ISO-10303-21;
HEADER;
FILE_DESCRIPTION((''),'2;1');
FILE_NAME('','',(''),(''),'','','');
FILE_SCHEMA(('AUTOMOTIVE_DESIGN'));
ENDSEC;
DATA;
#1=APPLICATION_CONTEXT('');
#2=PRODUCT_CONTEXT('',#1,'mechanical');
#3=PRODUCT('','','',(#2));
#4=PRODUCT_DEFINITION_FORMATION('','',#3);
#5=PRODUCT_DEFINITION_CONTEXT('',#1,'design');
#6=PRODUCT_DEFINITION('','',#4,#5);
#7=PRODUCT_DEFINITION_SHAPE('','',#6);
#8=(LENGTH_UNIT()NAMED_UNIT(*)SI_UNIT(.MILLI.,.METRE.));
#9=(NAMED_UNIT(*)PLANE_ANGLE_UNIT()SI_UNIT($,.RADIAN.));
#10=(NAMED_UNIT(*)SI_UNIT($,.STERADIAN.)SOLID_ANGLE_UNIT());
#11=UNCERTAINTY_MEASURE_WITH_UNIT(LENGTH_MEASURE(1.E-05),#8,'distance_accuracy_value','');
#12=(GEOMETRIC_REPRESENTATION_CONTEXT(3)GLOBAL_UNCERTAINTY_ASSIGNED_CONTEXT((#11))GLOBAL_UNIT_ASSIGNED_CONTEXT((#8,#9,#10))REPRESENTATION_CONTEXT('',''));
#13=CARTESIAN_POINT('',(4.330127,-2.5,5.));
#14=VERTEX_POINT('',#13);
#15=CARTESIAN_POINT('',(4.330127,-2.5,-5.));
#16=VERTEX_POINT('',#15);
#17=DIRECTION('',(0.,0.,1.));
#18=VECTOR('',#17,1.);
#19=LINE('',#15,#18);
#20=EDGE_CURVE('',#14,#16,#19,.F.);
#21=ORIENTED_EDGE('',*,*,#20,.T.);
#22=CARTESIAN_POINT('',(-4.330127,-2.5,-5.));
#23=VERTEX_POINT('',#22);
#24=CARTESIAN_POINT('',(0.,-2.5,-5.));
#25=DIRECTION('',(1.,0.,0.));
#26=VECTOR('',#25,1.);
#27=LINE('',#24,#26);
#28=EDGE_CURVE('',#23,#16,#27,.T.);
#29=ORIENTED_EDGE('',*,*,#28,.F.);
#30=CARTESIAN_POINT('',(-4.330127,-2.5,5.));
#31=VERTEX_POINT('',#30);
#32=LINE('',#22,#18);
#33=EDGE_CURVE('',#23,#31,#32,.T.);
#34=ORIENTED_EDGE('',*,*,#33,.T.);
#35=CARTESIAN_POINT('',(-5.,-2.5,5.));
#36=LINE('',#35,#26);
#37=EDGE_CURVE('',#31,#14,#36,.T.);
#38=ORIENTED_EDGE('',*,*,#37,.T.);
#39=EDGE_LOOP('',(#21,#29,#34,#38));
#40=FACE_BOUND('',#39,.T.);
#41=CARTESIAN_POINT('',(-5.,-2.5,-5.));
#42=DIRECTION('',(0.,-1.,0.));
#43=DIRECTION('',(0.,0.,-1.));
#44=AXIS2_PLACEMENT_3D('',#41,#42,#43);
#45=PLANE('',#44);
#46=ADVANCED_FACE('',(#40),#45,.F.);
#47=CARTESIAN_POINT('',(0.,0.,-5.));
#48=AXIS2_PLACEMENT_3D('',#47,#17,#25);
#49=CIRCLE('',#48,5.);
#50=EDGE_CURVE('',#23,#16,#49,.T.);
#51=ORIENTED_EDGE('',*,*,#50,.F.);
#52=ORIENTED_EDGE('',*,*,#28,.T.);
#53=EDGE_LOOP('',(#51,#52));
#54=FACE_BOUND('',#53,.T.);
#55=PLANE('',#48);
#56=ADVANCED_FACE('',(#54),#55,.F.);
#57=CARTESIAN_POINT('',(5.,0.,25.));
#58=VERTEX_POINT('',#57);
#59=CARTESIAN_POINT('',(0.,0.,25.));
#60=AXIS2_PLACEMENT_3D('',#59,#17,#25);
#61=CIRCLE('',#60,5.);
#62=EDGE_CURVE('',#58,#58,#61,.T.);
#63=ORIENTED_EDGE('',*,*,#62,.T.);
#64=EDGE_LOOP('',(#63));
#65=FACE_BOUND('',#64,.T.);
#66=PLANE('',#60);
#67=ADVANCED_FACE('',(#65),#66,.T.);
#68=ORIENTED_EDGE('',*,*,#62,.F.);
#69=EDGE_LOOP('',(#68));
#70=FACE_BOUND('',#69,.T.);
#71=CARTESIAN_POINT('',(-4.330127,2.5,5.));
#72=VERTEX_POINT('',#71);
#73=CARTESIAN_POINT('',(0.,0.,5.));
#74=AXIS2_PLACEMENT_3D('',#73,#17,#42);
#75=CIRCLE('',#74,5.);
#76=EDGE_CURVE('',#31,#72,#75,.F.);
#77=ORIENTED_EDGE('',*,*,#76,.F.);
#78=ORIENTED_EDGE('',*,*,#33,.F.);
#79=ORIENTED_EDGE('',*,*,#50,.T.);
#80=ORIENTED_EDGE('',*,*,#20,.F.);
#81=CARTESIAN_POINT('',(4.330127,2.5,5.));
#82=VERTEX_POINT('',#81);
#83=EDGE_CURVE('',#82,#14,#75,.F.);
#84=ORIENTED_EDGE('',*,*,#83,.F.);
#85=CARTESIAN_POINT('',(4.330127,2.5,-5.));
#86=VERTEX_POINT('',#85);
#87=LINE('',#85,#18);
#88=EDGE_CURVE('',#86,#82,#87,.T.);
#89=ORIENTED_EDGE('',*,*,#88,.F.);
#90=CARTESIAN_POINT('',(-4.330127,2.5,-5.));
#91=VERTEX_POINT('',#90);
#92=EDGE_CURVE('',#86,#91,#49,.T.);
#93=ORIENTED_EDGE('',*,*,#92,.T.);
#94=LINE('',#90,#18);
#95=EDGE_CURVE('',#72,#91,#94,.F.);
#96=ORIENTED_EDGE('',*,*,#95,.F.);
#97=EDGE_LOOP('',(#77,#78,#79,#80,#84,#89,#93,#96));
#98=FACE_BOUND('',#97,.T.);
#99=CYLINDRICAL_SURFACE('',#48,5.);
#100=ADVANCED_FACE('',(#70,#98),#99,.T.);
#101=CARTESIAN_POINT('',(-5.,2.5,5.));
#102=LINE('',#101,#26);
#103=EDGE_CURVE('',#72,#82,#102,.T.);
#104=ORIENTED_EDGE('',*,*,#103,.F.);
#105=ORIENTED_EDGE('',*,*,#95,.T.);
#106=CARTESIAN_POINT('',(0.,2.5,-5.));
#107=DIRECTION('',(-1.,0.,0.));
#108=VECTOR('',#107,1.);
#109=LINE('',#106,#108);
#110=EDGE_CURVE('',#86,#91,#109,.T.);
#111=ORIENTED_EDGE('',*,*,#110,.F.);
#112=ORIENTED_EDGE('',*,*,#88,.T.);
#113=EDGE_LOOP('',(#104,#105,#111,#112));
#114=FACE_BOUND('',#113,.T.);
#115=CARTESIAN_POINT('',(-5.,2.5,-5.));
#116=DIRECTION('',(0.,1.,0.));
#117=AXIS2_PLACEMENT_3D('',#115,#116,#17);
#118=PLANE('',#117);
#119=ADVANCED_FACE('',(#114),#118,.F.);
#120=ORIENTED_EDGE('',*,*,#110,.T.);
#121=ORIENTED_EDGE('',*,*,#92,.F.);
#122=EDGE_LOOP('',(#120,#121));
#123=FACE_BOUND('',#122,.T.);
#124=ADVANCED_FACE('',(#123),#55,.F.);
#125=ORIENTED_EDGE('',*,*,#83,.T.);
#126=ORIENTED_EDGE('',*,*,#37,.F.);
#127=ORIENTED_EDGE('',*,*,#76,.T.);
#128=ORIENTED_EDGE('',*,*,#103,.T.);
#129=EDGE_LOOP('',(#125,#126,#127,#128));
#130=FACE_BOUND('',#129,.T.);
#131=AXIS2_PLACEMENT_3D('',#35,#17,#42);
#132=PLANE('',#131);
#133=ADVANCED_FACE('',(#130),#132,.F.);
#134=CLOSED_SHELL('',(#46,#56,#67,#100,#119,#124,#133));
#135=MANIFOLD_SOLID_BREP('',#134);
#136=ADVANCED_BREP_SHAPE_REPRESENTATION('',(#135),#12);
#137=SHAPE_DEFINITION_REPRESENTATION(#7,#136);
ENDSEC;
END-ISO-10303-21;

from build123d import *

# Parameters (mm, degrees)
SKETCH1_R                = 5
BOSS_EXTRUDE1_DEPTH      = 25
BOSS_EXTRUDE1_DEPTH_BACK = 5
SKETCH3_W                = 10
SKETCH3_H                = 5
CUT_EXTRUDE2_DEPTH       = 6
CUT_EXTRUDE2_DEPTH_BACK  = 6


with BuildPart() as part:
    # Sketch1 → Boss-Extrude1 (new body, two sides)
    with BuildSketch(Plane.XY) as boss_extrude1_sk:
        Circle(SKETCH1_R)
    extrude(amount=BOSS_EXTRUDE1_DEPTH)
    extrude(boss_extrude1_sk.sketch, amount=-BOSS_EXTRUDE1_DEPTH_BACK)

    # Sketch3 → Cut-Extrude2 (cut, two sides)
    with BuildSketch(Plane(origin=(0, 0, 0), x_dir=(0, 0, -1), z_dir=(1, 0, 0))) as cut_extrude2_sk:
        Rectangle(SKETCH3_W, SKETCH3_H)
    extrude(amount=CUT_EXTRUDE2_DEPTH, mode=Mode.SUBTRACT)
    extrude(cut_extrude2_sk.sketch, amount=-CUT_EXTRUDE2_DEPTH_BACK, mode=Mode.SUBTRACT)


solid = part.part
